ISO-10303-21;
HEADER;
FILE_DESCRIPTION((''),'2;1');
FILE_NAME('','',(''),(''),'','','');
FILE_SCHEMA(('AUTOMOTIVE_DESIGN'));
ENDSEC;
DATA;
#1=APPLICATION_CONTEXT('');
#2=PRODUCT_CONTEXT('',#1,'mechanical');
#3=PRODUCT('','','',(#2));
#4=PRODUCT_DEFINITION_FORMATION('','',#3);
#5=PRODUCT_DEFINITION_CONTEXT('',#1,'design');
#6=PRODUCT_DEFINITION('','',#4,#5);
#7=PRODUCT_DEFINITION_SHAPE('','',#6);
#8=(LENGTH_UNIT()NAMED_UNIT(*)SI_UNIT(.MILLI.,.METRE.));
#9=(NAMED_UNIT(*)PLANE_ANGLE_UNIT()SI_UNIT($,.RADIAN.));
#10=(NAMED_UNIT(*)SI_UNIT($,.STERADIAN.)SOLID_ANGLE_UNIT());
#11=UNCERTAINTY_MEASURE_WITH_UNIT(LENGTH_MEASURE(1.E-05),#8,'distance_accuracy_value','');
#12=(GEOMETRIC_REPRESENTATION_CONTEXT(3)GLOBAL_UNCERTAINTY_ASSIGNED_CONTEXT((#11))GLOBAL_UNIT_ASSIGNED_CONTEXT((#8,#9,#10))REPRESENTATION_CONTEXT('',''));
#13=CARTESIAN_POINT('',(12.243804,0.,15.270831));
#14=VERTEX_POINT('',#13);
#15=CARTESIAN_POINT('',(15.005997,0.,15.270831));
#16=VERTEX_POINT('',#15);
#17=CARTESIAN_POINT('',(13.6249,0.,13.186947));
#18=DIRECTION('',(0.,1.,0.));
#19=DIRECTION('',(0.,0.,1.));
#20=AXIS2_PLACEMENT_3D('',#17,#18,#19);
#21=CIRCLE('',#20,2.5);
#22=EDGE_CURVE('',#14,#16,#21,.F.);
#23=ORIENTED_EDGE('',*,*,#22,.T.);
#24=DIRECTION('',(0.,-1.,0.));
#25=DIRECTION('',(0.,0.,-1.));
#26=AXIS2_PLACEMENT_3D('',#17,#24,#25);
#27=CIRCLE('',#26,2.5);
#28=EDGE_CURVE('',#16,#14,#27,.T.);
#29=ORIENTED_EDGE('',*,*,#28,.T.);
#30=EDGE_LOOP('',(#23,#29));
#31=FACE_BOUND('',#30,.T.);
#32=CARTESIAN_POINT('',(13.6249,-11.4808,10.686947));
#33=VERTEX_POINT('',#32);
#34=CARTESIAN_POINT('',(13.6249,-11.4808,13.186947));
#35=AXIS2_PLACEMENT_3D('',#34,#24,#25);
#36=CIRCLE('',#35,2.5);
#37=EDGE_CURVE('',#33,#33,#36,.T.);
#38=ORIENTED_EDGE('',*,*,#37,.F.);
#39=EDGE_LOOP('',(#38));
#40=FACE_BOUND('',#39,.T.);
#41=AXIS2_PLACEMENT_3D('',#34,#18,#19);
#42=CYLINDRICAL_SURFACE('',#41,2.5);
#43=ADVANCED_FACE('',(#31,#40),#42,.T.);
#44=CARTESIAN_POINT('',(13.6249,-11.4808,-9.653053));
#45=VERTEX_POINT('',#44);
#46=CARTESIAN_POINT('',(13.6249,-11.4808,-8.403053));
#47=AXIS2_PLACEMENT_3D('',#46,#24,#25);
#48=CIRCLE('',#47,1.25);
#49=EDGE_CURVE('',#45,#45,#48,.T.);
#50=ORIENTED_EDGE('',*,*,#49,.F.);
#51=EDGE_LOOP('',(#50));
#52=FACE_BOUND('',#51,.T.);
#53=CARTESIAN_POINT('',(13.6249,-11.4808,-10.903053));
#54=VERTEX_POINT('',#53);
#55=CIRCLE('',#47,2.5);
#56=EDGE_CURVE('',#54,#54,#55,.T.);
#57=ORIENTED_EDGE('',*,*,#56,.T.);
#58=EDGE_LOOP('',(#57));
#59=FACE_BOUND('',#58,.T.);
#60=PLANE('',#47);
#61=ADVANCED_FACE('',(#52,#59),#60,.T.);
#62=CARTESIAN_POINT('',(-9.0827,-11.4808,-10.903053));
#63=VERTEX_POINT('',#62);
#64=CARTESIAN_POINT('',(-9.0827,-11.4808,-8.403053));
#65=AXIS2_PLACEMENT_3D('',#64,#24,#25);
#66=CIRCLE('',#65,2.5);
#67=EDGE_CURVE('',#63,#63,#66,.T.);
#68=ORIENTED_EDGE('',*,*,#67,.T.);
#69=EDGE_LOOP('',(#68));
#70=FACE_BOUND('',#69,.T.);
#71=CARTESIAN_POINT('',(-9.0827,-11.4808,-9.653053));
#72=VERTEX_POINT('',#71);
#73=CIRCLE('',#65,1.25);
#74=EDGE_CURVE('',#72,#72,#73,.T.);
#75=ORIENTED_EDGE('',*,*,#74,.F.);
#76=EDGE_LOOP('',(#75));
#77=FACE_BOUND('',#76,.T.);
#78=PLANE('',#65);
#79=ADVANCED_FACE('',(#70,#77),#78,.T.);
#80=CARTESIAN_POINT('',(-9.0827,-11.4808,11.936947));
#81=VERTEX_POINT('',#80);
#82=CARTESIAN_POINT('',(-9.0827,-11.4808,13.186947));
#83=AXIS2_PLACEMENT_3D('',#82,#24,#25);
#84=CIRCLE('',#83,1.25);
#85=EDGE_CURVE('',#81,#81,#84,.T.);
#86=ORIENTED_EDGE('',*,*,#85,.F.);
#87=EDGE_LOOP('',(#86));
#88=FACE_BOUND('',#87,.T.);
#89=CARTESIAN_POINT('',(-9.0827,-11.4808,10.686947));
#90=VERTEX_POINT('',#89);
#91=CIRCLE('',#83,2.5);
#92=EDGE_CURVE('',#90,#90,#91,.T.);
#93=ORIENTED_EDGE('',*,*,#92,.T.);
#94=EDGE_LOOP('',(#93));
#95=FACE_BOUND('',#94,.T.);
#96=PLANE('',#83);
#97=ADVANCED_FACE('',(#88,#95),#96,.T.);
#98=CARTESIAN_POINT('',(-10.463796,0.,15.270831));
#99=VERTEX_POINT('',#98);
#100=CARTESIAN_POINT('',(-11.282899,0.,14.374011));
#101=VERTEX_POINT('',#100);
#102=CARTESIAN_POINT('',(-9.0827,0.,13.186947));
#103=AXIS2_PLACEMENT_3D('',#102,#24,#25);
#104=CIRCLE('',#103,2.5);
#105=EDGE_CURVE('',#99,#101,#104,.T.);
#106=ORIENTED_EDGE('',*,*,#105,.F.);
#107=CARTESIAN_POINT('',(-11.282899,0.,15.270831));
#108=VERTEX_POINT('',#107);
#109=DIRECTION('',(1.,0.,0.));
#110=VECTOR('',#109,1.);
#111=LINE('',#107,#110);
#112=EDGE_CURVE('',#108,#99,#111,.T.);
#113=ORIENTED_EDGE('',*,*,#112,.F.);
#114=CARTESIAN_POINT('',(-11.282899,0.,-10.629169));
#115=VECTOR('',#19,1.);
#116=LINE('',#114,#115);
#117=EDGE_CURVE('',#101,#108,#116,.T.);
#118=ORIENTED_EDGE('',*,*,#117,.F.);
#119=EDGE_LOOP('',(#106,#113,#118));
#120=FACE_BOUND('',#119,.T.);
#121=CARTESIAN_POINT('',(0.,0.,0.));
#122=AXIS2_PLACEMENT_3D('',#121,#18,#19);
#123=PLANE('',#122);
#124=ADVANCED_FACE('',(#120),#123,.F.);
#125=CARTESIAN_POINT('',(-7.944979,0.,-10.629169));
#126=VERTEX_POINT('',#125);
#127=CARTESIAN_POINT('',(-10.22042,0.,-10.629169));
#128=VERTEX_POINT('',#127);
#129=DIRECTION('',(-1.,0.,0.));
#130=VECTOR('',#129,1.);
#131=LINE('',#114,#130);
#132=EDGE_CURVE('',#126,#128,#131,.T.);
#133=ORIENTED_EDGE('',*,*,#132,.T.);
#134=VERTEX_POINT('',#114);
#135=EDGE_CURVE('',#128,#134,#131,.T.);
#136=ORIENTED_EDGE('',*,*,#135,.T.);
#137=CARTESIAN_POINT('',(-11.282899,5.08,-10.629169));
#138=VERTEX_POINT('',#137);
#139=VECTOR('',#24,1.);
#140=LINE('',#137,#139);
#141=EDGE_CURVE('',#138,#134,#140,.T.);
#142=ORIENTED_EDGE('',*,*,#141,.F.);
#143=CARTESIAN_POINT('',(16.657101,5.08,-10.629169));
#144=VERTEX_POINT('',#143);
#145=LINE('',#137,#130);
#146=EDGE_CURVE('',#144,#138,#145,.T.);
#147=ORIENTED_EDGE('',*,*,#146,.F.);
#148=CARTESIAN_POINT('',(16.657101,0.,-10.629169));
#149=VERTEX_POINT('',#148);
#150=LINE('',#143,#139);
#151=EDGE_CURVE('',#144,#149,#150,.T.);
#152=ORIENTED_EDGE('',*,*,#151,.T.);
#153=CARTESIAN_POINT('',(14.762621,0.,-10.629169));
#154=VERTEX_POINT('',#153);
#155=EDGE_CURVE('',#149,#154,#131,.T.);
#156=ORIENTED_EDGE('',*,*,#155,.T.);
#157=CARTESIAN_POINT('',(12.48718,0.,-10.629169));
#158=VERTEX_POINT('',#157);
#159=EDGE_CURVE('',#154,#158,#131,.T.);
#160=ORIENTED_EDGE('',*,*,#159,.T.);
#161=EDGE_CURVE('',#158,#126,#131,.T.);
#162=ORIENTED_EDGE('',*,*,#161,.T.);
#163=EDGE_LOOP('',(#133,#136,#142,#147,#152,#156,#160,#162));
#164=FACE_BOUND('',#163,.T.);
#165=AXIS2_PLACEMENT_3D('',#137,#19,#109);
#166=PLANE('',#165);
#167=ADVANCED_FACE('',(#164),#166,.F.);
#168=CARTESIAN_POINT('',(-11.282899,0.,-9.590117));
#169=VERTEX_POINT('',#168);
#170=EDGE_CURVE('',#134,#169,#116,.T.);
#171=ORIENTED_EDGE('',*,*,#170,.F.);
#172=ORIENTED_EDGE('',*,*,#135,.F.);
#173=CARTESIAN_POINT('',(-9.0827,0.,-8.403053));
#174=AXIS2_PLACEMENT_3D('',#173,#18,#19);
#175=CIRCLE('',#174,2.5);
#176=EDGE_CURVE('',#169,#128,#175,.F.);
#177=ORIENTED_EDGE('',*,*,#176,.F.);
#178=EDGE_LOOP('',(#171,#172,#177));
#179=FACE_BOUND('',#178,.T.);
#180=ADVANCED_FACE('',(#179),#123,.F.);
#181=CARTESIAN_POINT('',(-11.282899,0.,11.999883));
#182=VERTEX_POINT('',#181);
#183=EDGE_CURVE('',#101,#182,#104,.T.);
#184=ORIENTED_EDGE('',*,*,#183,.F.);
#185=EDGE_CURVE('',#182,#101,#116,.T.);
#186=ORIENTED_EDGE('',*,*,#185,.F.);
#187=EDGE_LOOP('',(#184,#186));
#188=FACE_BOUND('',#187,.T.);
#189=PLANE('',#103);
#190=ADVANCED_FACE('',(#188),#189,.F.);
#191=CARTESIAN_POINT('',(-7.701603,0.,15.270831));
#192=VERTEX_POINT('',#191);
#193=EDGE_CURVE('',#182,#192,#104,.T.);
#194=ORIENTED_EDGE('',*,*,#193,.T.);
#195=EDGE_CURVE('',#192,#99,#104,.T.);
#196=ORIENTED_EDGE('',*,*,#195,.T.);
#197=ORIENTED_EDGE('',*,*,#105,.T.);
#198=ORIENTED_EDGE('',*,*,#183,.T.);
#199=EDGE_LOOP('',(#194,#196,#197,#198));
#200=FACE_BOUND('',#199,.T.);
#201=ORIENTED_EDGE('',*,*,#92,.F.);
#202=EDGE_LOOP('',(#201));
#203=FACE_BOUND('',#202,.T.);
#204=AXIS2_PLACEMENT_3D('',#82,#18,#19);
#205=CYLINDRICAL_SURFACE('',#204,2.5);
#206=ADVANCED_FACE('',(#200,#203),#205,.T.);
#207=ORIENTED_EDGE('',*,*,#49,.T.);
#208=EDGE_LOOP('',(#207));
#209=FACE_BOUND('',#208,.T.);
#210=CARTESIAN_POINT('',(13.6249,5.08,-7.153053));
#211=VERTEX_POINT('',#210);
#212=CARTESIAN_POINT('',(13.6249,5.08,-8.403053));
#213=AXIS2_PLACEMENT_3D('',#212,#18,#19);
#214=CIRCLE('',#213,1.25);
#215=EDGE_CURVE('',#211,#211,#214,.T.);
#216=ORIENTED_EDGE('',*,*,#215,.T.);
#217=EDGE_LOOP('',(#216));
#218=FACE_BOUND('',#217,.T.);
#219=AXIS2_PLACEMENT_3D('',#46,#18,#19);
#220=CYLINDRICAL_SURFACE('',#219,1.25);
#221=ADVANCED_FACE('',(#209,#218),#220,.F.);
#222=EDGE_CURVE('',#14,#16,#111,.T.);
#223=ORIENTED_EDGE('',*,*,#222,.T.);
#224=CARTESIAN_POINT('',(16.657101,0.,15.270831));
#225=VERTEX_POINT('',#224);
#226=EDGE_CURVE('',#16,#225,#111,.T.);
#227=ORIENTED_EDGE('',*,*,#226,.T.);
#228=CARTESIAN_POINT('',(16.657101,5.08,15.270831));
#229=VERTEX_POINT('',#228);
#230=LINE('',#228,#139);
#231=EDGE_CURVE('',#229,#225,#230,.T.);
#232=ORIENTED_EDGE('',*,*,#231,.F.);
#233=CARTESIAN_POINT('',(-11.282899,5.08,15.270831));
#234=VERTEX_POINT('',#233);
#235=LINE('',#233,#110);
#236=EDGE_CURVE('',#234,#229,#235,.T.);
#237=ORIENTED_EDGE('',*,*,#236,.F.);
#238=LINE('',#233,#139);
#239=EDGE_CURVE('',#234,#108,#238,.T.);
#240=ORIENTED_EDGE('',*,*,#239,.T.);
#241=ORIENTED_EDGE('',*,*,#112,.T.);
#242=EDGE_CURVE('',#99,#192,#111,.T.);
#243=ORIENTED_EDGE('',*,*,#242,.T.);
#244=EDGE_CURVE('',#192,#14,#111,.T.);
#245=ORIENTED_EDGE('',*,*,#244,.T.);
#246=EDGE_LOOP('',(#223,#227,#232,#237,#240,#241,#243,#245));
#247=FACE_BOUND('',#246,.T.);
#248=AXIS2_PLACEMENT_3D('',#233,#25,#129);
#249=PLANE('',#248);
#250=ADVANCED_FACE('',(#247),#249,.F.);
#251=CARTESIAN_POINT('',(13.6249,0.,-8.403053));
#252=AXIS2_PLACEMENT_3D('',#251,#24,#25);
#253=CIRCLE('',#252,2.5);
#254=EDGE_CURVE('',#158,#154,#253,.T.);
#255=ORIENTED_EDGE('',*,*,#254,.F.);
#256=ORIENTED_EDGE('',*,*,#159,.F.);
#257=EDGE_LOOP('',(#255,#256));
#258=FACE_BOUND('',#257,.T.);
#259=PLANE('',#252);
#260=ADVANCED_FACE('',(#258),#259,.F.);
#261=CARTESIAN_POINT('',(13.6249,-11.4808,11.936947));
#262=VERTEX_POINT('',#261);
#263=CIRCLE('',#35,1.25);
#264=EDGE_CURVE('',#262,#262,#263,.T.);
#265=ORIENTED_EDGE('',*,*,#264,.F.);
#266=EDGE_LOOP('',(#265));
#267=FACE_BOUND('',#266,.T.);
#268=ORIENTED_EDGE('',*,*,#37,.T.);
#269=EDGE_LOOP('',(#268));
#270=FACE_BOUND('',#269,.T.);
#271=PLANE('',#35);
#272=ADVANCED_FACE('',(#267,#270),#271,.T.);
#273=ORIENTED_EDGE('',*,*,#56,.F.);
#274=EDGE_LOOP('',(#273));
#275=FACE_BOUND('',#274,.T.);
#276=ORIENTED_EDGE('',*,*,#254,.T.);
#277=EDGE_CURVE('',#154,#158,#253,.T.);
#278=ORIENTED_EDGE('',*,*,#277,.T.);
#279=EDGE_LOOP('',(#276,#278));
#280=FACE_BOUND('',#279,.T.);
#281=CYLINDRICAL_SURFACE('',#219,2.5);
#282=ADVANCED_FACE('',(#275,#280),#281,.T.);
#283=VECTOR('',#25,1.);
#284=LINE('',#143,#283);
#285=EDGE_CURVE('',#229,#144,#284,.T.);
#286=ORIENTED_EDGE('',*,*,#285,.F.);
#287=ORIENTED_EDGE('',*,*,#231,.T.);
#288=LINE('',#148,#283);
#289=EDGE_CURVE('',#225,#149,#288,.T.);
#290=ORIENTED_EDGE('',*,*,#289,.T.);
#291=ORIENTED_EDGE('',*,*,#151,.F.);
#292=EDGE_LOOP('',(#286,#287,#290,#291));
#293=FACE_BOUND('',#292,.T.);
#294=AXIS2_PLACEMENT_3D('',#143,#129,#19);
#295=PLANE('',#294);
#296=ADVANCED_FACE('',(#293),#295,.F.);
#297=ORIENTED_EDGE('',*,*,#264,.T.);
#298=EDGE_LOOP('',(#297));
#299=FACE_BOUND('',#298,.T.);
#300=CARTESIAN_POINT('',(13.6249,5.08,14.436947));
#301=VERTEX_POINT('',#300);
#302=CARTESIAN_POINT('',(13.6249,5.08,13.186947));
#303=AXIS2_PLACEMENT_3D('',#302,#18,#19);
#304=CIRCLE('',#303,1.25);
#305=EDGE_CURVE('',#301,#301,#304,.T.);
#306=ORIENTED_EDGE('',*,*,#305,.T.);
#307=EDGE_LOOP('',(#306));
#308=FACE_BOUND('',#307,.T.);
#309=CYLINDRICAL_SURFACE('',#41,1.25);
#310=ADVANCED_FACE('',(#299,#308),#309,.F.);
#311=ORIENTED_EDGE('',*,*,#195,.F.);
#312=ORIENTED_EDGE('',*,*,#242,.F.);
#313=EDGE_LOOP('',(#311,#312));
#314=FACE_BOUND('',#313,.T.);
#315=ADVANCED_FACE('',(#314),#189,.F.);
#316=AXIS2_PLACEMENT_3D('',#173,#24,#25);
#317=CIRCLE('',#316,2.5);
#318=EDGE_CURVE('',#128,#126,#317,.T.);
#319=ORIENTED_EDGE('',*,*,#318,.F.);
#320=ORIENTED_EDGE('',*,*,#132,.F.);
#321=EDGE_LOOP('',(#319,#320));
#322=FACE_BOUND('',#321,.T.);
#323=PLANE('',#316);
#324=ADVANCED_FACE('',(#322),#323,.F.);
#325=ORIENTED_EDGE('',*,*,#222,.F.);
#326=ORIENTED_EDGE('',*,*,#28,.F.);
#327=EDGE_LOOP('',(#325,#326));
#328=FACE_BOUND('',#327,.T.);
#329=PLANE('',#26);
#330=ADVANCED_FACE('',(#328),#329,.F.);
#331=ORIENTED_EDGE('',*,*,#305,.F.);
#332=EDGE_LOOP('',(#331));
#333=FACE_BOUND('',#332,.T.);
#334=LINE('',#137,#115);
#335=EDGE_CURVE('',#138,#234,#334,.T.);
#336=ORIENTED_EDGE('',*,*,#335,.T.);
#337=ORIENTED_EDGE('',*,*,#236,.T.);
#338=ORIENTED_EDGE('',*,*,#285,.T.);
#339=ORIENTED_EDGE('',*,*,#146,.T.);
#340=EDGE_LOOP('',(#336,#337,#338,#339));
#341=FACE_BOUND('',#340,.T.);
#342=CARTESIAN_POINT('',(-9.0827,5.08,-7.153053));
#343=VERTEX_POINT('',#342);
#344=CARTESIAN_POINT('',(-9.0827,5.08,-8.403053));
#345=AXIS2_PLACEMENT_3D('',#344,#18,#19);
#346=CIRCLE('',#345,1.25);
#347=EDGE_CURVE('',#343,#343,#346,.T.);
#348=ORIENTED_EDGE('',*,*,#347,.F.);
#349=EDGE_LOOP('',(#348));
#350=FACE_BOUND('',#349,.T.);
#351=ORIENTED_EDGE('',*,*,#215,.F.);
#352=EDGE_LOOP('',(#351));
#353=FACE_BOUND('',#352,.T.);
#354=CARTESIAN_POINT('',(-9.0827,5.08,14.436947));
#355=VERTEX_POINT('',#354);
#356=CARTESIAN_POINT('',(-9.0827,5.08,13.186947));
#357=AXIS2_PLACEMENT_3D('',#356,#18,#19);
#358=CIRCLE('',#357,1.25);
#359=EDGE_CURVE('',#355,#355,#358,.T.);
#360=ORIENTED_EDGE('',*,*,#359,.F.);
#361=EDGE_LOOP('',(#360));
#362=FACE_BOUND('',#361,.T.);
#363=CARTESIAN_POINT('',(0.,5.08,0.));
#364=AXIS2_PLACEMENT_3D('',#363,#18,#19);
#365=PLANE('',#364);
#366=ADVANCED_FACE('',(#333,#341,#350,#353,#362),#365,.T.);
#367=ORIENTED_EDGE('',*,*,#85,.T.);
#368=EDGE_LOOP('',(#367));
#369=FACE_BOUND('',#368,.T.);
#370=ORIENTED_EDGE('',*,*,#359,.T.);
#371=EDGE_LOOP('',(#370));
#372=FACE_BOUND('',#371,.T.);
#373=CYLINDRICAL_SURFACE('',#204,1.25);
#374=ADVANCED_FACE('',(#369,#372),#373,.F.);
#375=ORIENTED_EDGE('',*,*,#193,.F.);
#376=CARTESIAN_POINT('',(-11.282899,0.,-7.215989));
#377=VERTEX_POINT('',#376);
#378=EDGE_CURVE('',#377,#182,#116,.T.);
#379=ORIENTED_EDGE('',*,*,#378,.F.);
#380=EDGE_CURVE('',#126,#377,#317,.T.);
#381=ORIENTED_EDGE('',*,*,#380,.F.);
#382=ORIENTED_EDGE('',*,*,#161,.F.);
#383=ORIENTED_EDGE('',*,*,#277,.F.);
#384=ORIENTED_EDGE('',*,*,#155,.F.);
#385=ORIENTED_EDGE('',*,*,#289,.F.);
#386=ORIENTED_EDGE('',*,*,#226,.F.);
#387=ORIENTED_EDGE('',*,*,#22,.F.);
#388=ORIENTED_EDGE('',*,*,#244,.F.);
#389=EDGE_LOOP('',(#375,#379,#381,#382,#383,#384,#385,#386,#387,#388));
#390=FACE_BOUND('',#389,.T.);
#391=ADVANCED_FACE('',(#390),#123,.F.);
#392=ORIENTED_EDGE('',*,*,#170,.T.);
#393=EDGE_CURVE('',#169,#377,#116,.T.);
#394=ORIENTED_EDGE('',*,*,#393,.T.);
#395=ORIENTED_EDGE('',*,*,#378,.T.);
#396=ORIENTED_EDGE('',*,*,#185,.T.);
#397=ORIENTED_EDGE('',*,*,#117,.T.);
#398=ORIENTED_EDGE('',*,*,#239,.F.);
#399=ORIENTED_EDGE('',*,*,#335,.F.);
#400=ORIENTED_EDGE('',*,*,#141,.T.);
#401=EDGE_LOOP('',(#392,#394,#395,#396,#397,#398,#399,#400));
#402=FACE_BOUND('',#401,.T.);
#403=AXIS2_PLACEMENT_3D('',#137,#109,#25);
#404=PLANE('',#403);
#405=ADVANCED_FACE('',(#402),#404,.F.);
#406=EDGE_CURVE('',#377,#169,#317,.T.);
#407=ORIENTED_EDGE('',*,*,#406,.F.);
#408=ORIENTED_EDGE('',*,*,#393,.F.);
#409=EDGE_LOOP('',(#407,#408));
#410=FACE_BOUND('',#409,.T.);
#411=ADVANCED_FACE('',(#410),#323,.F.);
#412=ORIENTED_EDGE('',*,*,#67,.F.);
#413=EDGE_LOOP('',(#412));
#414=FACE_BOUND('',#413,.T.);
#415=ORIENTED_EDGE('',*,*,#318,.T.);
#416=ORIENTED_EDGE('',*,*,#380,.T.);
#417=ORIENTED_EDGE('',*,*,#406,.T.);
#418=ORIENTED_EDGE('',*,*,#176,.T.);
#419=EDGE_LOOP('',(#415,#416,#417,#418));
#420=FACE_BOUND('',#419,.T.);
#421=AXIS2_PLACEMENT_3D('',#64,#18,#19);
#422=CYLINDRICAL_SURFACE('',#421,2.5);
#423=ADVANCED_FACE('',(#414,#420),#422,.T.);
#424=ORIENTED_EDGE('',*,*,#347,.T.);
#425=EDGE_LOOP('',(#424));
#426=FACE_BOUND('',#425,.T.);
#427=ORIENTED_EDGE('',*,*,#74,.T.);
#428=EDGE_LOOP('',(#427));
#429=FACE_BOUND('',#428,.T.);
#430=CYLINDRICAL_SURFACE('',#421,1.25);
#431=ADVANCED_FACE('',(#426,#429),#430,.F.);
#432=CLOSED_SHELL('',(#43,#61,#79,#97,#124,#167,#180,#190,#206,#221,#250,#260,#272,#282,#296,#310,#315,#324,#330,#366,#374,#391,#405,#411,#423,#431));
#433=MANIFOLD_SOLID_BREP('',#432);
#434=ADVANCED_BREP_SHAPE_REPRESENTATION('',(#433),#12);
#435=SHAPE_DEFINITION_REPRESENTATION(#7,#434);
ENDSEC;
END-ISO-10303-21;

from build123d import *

# Parameters (mm, degrees)
SKETCH1_W               = 27.94
SKETCH1_H               = 25.9
BOSS_EXTRUDE1_DEPTH     = 5.08
SKETCH2_R               = 2.5
SKETCH2_R_2             = 1.25
BOSS_EXTRUDE2_DEPTH     = 11.4808
SKETCH3_R               = 1.25
CUT_EXTRUDE1_DEPTH      = 1
CUT_EXTRUDE1_DEPTH_BACK = 17.5608


with BuildPart() as part:
    # Sketch1 → Boss-Extrude1 (new body)
    with BuildSketch(Plane(origin=(0, 0, 0), x_dir=(1, 0, 0), z_dir=(0, 1, 0))):
        with Locations((2.687100719, -2.320830935)):
            Rectangle(SKETCH1_W, SKETCH1_H)
    extrude(amount=BOSS_EXTRUDE1_DEPTH)

    # Sketch2 → Boss-Extrude2 (add)
    with BuildSketch(Plane.XZ):
        with Locations((-9.082699611, 13.186946911)):
            Circle(SKETCH2_R)
        with Locations((-9.082699611, 13.186946911)):
            Circle(SKETCH2_R_2, mode=Mode.SUBTRACT)
        with Locations((13.624900389, 13.186946911)):
            Circle(SKETCH2_R)
        with Locations((13.624900389, 13.186946911)):
            Circle(SKETCH2_R_2, mode=Mode.SUBTRACT)
        with Locations((-9.082699611, -8.403053089)):
            Circle(SKETCH2_R)
        with Locations((-9.082699611, -8.403053089)):
            Circle(SKETCH2_R_2, mode=Mode.SUBTRACT)
        with Locations((13.624900389, -8.403053089)):
            Circle(SKETCH2_R)
        with Locations((13.624900389, -8.403053089)):
            Circle(SKETCH2_R_2, mode=Mode.SUBTRACT)
    extrude(amount=BOSS_EXTRUDE2_DEPTH)

    # Sketch3 → Cut-Extrude1 (cut, two sides)
    with BuildSketch(Plane(origin=(0, 5.08, 0), x_dir=(1, 0, 0), z_dir=(0, 1, 0))) as cut_extrude1_sk:
        with Locations((13.624900389, 8.403053089)):
            Circle(SKETCH3_R)
        with Locations((-9.082699611, 8.403053089)):
            Circle(SKETCH3_R)
        with Locations((13.624900389, -13.186946911)):
            Circle(SKETCH3_R)
        with Locations((-9.082699611, -13.186946911)):
            Circle(SKETCH3_R)
    extrude(amount=CUT_EXTRUDE1_DEPTH, mode=Mode.SUBTRACT)
    extrude(cut_extrude1_sk.sketch, amount=-CUT_EXTRUDE1_DEPTH_BACK, mode=Mode.SUBTRACT)


solid = part.part
